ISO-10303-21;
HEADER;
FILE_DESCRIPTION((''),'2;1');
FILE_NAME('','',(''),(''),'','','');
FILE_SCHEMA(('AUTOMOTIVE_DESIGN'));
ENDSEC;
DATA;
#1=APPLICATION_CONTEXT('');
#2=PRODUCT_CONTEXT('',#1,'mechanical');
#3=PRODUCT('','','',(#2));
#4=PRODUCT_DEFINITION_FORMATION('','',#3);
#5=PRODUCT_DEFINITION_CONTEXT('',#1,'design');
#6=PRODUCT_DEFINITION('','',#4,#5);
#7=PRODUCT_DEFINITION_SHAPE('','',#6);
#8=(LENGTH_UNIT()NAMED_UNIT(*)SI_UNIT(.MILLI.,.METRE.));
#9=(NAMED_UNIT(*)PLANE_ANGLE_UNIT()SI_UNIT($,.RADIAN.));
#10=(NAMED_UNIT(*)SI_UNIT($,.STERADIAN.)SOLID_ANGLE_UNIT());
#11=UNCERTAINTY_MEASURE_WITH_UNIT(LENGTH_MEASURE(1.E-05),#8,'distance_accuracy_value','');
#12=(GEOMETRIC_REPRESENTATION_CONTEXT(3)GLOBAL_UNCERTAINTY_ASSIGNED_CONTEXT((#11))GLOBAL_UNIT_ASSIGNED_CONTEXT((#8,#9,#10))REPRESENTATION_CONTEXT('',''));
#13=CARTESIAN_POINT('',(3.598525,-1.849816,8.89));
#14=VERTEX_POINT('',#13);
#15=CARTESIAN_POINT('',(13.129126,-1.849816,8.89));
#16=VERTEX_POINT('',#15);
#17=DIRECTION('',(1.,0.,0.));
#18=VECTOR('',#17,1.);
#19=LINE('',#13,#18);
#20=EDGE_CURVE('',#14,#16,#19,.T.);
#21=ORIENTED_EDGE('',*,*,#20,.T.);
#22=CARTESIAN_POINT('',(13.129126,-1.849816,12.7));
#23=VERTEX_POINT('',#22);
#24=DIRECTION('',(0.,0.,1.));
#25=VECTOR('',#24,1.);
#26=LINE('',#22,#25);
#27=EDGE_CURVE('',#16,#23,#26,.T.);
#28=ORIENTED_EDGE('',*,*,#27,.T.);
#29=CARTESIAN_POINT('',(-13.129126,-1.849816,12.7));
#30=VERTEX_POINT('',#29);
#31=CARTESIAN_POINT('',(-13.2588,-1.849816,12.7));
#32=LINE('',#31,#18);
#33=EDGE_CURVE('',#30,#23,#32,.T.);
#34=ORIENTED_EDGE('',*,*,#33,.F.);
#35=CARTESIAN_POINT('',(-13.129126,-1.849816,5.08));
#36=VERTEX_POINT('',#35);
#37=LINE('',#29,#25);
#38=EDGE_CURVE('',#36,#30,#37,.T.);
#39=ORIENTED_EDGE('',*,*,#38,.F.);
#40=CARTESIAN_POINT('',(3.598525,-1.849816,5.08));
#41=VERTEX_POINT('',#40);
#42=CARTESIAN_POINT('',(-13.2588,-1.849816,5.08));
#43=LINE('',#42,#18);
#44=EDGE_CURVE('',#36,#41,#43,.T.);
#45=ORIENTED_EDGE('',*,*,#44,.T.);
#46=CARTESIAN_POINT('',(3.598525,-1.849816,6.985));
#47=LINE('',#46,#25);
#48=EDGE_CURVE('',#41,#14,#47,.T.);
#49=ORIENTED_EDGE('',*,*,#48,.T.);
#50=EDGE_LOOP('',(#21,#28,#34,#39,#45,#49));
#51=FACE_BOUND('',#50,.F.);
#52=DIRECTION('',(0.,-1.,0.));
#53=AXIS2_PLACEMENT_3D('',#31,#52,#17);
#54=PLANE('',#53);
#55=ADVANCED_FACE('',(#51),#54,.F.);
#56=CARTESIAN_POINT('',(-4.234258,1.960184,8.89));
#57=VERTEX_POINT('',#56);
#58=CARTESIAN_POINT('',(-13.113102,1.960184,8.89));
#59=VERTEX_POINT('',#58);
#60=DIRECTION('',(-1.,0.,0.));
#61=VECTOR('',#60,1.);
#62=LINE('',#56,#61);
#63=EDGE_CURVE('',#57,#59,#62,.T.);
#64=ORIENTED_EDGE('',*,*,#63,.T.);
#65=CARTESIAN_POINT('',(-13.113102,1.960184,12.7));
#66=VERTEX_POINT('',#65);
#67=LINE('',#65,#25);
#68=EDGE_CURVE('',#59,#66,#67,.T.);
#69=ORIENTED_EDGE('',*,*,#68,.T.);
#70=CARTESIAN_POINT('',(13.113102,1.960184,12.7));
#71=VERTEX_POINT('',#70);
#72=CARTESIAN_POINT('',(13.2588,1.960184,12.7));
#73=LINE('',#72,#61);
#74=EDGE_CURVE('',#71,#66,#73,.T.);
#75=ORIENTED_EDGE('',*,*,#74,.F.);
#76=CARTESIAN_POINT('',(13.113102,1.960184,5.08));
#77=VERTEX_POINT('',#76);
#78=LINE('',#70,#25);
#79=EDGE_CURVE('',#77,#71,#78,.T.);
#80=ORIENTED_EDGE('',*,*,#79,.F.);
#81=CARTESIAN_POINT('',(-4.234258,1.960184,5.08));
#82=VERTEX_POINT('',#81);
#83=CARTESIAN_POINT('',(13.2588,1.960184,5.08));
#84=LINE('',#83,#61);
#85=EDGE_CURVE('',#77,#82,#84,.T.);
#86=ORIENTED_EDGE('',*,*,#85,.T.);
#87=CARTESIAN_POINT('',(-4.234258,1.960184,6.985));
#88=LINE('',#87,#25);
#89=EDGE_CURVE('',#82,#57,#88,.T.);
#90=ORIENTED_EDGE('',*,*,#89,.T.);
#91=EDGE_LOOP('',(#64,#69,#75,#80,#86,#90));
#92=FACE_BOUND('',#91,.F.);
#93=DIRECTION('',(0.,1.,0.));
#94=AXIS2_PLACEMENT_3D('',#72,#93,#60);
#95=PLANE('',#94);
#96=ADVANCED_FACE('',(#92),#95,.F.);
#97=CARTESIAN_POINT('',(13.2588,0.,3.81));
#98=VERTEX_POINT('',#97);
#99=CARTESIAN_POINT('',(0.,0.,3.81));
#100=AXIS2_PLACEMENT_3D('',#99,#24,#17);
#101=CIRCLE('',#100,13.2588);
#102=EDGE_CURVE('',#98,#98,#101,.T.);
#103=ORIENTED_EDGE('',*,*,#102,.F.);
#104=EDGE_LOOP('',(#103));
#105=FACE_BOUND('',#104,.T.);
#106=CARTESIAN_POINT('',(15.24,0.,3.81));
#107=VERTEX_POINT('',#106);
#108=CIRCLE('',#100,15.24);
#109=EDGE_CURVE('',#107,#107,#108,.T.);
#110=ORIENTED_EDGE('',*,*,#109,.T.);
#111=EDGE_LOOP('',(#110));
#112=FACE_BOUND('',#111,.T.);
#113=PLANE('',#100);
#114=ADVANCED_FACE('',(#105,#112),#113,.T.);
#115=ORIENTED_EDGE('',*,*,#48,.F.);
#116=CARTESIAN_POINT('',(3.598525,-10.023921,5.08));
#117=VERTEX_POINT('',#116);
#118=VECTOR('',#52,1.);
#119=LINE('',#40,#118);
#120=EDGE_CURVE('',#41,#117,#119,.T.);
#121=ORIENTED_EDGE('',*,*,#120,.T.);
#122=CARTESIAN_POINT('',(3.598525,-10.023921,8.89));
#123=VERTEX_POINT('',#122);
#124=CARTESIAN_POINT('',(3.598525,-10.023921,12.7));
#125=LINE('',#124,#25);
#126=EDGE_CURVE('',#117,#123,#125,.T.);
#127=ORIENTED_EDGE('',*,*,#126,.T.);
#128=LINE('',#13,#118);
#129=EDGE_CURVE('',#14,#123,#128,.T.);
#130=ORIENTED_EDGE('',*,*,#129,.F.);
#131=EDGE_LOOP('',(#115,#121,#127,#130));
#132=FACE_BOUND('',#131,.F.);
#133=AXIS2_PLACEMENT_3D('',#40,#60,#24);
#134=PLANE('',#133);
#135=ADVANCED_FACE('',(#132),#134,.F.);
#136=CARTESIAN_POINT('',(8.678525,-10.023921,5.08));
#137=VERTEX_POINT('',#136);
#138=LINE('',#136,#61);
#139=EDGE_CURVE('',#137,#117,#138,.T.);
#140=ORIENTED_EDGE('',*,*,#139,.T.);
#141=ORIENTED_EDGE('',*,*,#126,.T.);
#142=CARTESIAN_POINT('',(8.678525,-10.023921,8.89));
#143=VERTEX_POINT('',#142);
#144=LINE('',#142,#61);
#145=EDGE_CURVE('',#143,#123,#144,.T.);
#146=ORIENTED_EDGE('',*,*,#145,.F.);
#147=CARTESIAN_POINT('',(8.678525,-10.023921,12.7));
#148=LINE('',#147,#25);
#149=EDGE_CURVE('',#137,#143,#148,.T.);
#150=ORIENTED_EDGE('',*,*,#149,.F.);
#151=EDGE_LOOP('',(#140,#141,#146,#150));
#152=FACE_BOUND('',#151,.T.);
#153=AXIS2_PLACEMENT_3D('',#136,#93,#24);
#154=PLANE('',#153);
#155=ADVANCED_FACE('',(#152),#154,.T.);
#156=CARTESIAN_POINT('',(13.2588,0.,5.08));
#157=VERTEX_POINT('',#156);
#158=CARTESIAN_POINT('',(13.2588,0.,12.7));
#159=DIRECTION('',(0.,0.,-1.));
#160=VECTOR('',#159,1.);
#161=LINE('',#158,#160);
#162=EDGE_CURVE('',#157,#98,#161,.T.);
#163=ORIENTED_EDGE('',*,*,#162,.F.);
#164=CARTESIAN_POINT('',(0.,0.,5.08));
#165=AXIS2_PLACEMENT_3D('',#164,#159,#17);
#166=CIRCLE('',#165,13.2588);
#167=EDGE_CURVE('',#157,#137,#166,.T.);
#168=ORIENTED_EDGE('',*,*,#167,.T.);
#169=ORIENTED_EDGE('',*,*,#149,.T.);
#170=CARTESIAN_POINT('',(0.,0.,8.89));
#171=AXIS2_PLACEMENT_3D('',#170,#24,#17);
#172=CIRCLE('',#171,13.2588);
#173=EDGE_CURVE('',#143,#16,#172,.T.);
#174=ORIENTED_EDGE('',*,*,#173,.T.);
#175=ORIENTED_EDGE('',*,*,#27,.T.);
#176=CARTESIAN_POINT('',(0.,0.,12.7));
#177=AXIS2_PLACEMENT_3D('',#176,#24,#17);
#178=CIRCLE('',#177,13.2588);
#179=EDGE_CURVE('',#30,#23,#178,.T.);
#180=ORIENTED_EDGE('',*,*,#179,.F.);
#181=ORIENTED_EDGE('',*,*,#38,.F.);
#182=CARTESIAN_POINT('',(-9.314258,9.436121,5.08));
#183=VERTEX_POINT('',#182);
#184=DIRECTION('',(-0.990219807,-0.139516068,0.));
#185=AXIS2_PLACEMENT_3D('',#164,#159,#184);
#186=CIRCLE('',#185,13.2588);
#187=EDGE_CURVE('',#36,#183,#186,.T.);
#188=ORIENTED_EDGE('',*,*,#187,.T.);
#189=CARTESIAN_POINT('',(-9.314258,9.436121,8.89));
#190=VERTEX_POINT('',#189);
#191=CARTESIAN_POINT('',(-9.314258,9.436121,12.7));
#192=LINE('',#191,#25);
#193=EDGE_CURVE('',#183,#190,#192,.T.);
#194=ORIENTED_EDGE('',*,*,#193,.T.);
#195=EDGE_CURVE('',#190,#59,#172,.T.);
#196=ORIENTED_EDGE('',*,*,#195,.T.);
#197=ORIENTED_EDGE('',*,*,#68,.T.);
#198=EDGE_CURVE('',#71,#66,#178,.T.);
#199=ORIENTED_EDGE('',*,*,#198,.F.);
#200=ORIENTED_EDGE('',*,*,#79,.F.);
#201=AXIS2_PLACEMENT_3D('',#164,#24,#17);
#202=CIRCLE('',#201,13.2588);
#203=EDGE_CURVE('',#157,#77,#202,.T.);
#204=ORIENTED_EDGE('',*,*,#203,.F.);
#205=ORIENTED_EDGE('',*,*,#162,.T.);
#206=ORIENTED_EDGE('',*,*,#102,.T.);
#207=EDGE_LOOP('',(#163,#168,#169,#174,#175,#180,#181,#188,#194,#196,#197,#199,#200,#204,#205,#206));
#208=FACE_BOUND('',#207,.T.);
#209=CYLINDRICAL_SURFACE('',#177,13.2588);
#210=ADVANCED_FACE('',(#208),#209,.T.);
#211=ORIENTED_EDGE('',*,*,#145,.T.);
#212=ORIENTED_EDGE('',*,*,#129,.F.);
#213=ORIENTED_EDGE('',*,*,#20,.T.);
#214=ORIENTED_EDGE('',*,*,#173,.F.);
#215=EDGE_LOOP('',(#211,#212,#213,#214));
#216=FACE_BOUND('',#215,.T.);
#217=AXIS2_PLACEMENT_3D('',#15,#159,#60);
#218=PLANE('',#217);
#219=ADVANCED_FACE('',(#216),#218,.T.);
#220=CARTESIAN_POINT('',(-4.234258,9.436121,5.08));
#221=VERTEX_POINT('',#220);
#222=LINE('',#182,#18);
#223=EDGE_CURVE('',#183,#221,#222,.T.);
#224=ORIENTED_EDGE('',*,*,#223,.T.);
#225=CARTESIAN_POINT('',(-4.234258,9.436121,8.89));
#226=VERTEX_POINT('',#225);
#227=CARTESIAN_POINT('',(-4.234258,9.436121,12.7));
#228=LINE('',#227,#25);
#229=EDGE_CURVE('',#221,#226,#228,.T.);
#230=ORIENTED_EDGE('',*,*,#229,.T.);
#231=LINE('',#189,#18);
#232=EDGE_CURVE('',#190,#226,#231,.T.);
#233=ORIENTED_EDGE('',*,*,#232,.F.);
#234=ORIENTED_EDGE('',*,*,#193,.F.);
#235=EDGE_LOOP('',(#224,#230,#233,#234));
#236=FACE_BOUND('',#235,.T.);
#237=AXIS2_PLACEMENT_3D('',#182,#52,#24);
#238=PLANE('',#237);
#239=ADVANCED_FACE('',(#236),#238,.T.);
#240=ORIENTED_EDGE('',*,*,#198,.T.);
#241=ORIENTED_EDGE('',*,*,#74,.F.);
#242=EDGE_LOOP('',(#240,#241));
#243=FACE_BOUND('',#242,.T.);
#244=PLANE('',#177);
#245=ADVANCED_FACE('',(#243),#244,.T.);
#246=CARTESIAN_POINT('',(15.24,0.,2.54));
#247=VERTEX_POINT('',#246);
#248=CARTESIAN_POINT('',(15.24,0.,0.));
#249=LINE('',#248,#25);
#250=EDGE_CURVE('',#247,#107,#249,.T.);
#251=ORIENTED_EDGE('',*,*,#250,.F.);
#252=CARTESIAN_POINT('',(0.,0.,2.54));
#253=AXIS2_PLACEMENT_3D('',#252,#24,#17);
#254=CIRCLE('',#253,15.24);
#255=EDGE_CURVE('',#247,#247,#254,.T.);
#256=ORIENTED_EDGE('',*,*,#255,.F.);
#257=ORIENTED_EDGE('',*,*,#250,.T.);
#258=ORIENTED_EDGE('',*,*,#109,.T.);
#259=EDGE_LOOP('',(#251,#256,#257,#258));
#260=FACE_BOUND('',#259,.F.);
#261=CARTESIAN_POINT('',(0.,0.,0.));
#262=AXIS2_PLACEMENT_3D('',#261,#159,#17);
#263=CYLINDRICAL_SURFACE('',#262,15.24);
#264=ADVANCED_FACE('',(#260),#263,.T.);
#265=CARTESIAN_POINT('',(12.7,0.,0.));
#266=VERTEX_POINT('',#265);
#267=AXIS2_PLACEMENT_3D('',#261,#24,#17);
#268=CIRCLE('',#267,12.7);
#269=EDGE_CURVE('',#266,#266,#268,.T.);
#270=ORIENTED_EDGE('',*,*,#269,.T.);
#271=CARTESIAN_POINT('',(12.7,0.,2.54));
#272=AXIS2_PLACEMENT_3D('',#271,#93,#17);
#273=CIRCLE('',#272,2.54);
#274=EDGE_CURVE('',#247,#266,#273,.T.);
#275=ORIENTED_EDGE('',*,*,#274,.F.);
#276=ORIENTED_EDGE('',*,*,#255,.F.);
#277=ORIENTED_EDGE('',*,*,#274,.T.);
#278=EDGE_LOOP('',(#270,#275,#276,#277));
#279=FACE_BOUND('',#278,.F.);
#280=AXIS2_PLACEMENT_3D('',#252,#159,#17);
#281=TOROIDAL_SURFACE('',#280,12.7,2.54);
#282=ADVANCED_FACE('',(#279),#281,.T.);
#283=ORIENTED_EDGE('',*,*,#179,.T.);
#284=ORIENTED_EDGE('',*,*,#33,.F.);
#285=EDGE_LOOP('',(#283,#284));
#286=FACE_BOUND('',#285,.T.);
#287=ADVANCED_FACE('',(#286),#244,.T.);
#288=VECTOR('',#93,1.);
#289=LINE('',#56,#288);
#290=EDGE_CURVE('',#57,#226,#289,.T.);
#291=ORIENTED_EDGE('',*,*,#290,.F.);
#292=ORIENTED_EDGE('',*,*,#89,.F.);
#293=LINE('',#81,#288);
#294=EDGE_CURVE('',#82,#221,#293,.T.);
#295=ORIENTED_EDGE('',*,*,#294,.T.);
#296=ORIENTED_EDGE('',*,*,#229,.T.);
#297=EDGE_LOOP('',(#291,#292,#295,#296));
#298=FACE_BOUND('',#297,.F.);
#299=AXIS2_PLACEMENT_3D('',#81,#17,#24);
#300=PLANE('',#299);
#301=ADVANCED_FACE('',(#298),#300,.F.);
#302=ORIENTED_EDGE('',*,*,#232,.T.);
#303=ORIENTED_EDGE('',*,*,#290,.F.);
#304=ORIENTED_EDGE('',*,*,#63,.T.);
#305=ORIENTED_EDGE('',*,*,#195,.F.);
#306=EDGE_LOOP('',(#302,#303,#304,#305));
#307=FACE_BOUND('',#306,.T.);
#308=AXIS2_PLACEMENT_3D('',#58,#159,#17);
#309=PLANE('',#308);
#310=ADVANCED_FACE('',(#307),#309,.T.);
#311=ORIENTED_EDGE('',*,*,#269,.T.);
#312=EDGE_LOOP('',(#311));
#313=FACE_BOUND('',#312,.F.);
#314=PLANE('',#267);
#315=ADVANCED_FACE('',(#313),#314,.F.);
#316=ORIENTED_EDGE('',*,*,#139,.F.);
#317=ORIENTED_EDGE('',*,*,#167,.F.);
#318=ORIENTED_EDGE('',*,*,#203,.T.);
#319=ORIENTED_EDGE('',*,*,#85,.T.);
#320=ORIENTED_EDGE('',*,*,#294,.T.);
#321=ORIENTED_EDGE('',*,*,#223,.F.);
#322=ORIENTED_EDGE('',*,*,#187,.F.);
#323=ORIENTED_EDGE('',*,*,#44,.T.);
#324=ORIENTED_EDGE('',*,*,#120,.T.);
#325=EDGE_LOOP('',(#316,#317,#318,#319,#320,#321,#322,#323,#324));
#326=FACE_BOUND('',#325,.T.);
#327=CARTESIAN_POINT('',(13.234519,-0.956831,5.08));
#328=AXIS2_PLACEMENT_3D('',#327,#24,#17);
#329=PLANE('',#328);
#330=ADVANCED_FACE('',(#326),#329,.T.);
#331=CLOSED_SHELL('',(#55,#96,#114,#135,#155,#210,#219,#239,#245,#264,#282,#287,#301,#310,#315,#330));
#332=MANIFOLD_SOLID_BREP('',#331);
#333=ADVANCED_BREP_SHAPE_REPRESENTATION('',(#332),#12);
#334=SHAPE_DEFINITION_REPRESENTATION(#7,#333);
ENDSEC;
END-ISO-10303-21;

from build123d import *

# Parameters (mm, degrees)
F0_R      = 15.24
F1_DEPTH  = 12.7
F2_R      = 15.24
F2_R_2    = 13.2588
F3_DEPTH  = 8.89
F5_DEPTH  = 7.62
F6_W      = 4.4506016257
F6_H      = 3.81
F7_DEPTH  = 25.4
F8_W      = 3.7988447554
F8_H      = 3.81
F9_DEPTH  = 25.4
F10_R     = 2.54
F11_DEPTH = 5.08
F12_DEPTH = 5.08


with BuildPart() as f1:
    # F0 (on Top) → F1 (new body)
    with BuildSketch(Plane.XY):
        Circle(F0_R)
    extrude(amount=F1_DEPTH)

    # F2 (on face) → F3 (cut)
    with BuildSketch(Plane.XY.offset(12.7)):
        Circle(F2_R)
        Circle(F2_R_2, mode=Mode.SUBTRACT)
    extrude(amount=-F3_DEPTH, mode=Mode.SUBTRACT)

    # F4 (on face) → F5 (cut)
    with BuildSketch(Plane.XY.offset(12.7)):
        with BuildLine():
            Line((13.1291263807, -1.849815645), (13.2588, -1.849815645))
            Line((13.2588, -1.849815645), (13.2588, 0))
            ThreePointArc((13.2588, 0), (13.2263418657, -0.9271775946), (13.1291263807, -1.849815645))
        make_face()
        with BuildLine():
            Line((-13.2588, -1.849815645), (-13.1291263807, -1.849815645))
            ThreePointArc((-13.1291263807, -1.849815645), (-13.2263418657, -0.9271775946), (-13.2588, 0))
            Line((-13.2588, 0), (-13.2588, -1.849815645))
        make_face()
        with BuildLine():
            ThreePointArc((13.1131024069, 1.960184355), (13.2223254315, 0.9827958199), (13.2588, 0))
            Line((13.2588, 0), (13.2588, 1.960184355))
            Line((13.2588, 1.960184355), (13.1131024069, 1.960184355))
        make_face()
        with BuildLine():
            Line((-13.2588, 1.960184355), (-13.2588, 0))
            ThreePointArc((-13.2588, 0), (-13.2223254315, 0.9827958199), (-13.1131024069, 1.960184355))
            Line((-13.1131024069, 1.960184355), (-13.2588, 1.960184355))
        make_face()
        with BuildLine():
            Line((-13.2588, 0), (13.2588, 0))
            ThreePointArc((13.2588, 0), (13.2223254315, 0.9827958199), (13.1131024069, 1.960184355))
            Line((13.1131024069, 1.960184355), (-13.1131024069, 1.960184355))
            ThreePointArc((-13.1131024069, 1.960184355), (-13.2223254315, 0.9827958199), (-13.2588, 0))
        make_face()
        with BuildLine():
            Line((-13.1291263807, -1.849815645), (13.1291263807, -1.849815645))
            ThreePointArc((13.1291263807, -1.849815645), (13.2263418657, -0.9271775946), (13.2588, 0))
            Line((13.2588, 0), (-13.2588, 0))
            ThreePointArc((-13.2588, 0), (-13.2263418657, -0.9271775946), (-13.1291263807, -1.849815645))
        make_face()
    extrude(amount=-F5_DEPTH, mode=Mode.SUBTRACT)

    # F6 (on face) → F7 (cut)
    with BuildSketch(Plane(origin=(0, -1.849815645, 0), x_dir=(-1, 0, 0), z_dir=(0, 1, 0))):
        with Locations((-10.9038255678, 6.985)):
            Rectangle(F6_W, F6_H)
    extrude(amount=-F7_DEPTH, mode=Mode.SUBTRACT)

    # F8 (on face) → F9 (cut)
    with BuildSketch(Plane.XZ.offset(-1.960184355)):
        with Locations((-11.2136800292, 6.985)):
            Rectangle(F8_W, F8_H)
    extrude(amount=-F9_DEPTH, mode=Mode.SUBTRACT)

    # F10
    f10_edges = [f1.edges().sort_by_distance(p)[0] for p in [
        (-15.24, 0, 0),
    ]]
    fillet(f10_edges, radius=F10_R)

    # F11 (cut): a face of the model
    f11_faces = [f1.faces().sort_by_distance(p)[0] for p in [
        (-9.3142576516, 5.6981527388, 6.985),
    ]]
    extrude(f11_faces, amount=-F11_DEPTH, mode=Mode.SUBTRACT)

    # F12 (cut): a face of the model
    f12_faces = [f1.faces().sort_by_distance(p)[0] for p in [
        (8.6785247549, -5.9368681555, 6.985),
    ]]
    extrude(f12_faces, amount=-F12_DEPTH, mode=Mode.SUBTRACT)


solid = f1.part
